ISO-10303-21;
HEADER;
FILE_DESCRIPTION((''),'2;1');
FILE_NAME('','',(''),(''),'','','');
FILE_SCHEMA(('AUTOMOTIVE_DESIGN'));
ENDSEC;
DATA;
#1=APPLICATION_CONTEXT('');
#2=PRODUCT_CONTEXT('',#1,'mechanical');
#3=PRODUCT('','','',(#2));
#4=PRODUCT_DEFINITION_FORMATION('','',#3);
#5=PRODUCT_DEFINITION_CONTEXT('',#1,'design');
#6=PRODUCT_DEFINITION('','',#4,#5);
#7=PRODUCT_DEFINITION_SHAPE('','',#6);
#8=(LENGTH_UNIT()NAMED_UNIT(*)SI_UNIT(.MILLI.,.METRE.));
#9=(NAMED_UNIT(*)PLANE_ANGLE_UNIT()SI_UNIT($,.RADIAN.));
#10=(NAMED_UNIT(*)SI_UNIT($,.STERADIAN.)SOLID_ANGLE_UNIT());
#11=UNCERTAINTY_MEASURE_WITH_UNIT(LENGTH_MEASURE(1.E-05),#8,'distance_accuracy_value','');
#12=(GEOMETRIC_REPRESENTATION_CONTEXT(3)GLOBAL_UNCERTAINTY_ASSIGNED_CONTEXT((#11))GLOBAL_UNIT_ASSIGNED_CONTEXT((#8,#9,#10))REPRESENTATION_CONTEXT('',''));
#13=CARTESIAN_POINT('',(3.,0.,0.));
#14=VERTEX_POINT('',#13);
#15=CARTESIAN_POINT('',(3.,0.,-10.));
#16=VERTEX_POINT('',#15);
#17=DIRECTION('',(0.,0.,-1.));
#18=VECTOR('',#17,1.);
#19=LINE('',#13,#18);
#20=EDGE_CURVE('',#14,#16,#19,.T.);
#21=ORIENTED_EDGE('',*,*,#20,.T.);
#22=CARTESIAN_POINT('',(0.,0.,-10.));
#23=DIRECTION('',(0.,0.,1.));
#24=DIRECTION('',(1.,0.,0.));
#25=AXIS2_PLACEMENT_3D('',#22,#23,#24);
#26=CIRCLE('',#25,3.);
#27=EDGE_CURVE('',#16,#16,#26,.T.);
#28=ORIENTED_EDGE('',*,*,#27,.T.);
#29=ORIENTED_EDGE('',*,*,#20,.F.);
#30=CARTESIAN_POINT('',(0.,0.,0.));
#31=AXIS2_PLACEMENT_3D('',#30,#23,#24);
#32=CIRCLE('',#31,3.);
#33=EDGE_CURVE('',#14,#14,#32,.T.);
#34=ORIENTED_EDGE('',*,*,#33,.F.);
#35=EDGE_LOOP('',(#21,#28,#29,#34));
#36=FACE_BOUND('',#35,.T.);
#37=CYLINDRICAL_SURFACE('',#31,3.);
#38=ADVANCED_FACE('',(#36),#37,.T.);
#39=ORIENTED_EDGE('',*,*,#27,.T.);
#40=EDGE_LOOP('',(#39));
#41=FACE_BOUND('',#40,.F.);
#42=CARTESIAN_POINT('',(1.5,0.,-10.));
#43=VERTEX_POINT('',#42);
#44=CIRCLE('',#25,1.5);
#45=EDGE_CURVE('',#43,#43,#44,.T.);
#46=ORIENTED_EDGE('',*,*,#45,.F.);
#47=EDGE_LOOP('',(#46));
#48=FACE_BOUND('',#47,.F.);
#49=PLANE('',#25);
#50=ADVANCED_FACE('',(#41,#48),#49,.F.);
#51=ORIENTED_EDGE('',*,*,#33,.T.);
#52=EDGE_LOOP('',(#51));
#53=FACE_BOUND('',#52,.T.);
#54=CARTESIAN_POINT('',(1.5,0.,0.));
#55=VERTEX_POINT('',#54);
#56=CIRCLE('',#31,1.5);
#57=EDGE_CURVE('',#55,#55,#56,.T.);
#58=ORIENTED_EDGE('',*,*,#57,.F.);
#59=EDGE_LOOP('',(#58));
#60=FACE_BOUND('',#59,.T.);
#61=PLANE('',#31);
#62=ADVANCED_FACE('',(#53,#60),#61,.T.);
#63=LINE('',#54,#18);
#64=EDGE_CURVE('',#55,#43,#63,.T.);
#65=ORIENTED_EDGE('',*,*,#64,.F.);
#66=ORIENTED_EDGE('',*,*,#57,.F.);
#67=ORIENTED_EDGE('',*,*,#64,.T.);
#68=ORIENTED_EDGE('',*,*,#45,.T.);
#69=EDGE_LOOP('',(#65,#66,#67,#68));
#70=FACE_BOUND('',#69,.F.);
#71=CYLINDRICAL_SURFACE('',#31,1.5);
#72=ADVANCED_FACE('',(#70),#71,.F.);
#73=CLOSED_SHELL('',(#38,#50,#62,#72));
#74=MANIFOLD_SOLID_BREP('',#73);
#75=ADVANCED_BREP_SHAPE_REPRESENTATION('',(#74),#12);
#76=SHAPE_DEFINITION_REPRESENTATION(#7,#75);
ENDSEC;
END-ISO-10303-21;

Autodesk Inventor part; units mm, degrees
ref_plane "YZ Plane" through (0, 0, 0) normal (1, 0, 0) x (0, 1, 0)
ref_plane "XZ Plane" through (0, 0, 0) normal (0, 1, 0) x (-1, 0, 0)
ref_plane "XY Plane" through (0, 0, 0) normal (0, 0, 1) x (1, 0, 0)
sketch "スケッチ1" plane through (0, 0, 0) normal (0, 0, 1) x (1, 0, 0)
  circle A0 centre (0, 0) radius 3
  circle A1 centre (0, 0) radius 1.5
  dimension "d0" = 6
  dimension "d1" = 3
extrude "押し出し1" add sketch "スケッチ1" against normal blind 10
properties part number "PEAKスペーサーm3中空-10" material "PAEK 樹脂"
